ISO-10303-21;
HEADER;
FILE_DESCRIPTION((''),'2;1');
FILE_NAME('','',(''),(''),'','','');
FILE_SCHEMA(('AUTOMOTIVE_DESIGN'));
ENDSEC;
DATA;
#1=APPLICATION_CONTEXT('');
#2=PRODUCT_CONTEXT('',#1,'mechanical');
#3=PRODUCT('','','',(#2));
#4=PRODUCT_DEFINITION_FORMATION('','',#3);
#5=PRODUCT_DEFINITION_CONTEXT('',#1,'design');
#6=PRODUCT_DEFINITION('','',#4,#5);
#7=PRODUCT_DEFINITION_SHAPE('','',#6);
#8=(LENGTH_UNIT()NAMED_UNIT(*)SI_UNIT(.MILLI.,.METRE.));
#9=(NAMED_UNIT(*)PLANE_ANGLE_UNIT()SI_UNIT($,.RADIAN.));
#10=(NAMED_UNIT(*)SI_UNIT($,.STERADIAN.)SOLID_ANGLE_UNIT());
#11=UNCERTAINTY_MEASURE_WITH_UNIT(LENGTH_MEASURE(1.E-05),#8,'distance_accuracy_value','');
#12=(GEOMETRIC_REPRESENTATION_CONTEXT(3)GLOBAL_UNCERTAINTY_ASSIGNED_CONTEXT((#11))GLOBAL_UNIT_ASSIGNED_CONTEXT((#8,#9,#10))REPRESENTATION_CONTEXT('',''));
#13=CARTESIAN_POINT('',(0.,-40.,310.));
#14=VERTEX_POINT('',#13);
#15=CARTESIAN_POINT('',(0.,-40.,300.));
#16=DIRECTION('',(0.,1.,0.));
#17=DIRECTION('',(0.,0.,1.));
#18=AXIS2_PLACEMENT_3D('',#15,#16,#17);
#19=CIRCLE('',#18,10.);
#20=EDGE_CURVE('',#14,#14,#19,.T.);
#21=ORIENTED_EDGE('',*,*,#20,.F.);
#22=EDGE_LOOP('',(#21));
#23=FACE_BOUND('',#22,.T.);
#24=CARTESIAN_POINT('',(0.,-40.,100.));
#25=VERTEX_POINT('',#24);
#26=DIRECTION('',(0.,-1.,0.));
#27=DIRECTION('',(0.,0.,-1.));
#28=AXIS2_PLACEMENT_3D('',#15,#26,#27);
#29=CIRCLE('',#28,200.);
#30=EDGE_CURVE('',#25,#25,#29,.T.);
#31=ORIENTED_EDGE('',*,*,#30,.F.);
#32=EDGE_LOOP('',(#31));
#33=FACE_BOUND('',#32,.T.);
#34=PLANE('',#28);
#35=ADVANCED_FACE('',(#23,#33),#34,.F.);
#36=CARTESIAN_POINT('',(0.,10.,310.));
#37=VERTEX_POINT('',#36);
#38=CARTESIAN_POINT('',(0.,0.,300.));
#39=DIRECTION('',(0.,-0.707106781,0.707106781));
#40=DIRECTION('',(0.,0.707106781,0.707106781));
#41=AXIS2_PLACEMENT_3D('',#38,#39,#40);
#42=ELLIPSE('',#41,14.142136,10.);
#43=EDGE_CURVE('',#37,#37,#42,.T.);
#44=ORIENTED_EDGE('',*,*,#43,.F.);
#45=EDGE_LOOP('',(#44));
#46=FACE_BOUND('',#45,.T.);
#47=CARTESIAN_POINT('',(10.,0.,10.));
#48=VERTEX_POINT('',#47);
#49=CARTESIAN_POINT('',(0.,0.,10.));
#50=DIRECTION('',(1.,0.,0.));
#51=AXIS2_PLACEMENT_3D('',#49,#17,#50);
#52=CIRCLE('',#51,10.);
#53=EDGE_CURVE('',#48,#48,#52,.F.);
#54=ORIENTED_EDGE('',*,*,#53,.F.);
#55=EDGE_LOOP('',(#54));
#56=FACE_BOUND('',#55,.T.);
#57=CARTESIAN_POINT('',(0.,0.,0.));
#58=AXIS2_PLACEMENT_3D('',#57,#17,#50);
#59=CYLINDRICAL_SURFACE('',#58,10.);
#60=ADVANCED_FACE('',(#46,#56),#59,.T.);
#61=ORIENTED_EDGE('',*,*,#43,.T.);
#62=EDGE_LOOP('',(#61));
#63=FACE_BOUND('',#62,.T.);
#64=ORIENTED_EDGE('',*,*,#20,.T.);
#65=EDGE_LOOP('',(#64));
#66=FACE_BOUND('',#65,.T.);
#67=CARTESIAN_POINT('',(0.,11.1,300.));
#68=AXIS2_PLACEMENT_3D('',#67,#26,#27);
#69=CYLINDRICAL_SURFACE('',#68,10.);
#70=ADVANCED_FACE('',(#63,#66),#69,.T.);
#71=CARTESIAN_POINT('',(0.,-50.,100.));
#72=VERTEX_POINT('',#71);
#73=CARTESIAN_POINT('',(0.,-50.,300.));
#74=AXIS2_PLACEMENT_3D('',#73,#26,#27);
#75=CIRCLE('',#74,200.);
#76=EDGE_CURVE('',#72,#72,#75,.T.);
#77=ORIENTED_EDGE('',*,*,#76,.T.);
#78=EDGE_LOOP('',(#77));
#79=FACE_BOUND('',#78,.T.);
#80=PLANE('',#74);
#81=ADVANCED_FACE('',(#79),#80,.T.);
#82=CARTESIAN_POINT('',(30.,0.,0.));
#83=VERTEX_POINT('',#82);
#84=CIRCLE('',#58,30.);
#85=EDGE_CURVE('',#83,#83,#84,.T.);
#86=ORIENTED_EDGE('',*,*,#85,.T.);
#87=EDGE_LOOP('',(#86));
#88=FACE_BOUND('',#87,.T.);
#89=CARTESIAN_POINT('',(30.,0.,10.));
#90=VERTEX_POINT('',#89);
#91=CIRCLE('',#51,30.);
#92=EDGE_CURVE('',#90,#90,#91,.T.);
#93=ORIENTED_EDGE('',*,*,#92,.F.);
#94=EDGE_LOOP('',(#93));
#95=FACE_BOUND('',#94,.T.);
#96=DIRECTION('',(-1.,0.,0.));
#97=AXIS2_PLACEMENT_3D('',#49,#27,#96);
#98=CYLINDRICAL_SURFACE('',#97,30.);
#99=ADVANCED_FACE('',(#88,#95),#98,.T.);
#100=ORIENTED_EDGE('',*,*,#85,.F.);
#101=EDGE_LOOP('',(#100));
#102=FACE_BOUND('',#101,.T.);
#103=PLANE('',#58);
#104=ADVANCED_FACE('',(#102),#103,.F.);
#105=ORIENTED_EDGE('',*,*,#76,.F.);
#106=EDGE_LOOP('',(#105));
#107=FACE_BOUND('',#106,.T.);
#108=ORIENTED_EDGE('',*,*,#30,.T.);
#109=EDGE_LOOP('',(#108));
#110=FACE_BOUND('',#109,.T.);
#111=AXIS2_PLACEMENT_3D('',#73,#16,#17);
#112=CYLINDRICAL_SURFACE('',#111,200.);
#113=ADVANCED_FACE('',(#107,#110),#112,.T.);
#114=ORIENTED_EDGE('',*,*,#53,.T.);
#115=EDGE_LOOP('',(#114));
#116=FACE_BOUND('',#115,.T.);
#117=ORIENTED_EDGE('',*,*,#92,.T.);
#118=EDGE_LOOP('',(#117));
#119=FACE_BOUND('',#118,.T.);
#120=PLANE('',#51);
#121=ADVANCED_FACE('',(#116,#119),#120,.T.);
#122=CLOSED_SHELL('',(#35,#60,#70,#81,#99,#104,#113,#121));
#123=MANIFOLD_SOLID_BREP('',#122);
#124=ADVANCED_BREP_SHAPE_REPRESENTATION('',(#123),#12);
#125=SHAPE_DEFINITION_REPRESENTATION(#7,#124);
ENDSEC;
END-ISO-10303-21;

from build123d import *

# Parameters (mm, degrees)
SKETCH_1_R        = 30
EXTRUDE_1_DEPTH   = 10
SWEEP_1_PROFILE_R = 10
SKETCH_7_R        = 200
EXTRUDE_2_DEPTH   = 10


with BuildPart() as part:
    # Эскиз1 → Бобышка-Вытянуть1 (new body)
    with BuildSketch(Plane.XY):
        Circle(SKETCH_1_R)
    extrude(amount=EXTRUDE_1_DEPTH)

    # По траектории1: sweep along a curve in space
    with BuildLine() as sweep_1_path:
        Line((0, 0, 0), (0, 0, 300))
        Line((0, 0, 300), (0, -40, 300))
    # По траектории1 profile (on start of the path) → По траектории1 (sweep)
    with BuildSketch(Plane.XY):
        Circle(SWEEP_1_PROFILE_R)
    sweep(path=sweep_1_path.line, transition=Transition.RIGHT)

    # Эскиз7 → Бобышка-Вытянуть2 (add)
    with BuildSketch(Plane(origin=(0, -40, 0), x_dir=(-1, 0, 0), z_dir=(0, -1, 0))):
        with Locations(Location((0, -300, 0), (0, 0, 90))):
            Circle(SKETCH_7_R)
    extrude(amount=EXTRUDE_2_DEPTH)


solid = part.part
